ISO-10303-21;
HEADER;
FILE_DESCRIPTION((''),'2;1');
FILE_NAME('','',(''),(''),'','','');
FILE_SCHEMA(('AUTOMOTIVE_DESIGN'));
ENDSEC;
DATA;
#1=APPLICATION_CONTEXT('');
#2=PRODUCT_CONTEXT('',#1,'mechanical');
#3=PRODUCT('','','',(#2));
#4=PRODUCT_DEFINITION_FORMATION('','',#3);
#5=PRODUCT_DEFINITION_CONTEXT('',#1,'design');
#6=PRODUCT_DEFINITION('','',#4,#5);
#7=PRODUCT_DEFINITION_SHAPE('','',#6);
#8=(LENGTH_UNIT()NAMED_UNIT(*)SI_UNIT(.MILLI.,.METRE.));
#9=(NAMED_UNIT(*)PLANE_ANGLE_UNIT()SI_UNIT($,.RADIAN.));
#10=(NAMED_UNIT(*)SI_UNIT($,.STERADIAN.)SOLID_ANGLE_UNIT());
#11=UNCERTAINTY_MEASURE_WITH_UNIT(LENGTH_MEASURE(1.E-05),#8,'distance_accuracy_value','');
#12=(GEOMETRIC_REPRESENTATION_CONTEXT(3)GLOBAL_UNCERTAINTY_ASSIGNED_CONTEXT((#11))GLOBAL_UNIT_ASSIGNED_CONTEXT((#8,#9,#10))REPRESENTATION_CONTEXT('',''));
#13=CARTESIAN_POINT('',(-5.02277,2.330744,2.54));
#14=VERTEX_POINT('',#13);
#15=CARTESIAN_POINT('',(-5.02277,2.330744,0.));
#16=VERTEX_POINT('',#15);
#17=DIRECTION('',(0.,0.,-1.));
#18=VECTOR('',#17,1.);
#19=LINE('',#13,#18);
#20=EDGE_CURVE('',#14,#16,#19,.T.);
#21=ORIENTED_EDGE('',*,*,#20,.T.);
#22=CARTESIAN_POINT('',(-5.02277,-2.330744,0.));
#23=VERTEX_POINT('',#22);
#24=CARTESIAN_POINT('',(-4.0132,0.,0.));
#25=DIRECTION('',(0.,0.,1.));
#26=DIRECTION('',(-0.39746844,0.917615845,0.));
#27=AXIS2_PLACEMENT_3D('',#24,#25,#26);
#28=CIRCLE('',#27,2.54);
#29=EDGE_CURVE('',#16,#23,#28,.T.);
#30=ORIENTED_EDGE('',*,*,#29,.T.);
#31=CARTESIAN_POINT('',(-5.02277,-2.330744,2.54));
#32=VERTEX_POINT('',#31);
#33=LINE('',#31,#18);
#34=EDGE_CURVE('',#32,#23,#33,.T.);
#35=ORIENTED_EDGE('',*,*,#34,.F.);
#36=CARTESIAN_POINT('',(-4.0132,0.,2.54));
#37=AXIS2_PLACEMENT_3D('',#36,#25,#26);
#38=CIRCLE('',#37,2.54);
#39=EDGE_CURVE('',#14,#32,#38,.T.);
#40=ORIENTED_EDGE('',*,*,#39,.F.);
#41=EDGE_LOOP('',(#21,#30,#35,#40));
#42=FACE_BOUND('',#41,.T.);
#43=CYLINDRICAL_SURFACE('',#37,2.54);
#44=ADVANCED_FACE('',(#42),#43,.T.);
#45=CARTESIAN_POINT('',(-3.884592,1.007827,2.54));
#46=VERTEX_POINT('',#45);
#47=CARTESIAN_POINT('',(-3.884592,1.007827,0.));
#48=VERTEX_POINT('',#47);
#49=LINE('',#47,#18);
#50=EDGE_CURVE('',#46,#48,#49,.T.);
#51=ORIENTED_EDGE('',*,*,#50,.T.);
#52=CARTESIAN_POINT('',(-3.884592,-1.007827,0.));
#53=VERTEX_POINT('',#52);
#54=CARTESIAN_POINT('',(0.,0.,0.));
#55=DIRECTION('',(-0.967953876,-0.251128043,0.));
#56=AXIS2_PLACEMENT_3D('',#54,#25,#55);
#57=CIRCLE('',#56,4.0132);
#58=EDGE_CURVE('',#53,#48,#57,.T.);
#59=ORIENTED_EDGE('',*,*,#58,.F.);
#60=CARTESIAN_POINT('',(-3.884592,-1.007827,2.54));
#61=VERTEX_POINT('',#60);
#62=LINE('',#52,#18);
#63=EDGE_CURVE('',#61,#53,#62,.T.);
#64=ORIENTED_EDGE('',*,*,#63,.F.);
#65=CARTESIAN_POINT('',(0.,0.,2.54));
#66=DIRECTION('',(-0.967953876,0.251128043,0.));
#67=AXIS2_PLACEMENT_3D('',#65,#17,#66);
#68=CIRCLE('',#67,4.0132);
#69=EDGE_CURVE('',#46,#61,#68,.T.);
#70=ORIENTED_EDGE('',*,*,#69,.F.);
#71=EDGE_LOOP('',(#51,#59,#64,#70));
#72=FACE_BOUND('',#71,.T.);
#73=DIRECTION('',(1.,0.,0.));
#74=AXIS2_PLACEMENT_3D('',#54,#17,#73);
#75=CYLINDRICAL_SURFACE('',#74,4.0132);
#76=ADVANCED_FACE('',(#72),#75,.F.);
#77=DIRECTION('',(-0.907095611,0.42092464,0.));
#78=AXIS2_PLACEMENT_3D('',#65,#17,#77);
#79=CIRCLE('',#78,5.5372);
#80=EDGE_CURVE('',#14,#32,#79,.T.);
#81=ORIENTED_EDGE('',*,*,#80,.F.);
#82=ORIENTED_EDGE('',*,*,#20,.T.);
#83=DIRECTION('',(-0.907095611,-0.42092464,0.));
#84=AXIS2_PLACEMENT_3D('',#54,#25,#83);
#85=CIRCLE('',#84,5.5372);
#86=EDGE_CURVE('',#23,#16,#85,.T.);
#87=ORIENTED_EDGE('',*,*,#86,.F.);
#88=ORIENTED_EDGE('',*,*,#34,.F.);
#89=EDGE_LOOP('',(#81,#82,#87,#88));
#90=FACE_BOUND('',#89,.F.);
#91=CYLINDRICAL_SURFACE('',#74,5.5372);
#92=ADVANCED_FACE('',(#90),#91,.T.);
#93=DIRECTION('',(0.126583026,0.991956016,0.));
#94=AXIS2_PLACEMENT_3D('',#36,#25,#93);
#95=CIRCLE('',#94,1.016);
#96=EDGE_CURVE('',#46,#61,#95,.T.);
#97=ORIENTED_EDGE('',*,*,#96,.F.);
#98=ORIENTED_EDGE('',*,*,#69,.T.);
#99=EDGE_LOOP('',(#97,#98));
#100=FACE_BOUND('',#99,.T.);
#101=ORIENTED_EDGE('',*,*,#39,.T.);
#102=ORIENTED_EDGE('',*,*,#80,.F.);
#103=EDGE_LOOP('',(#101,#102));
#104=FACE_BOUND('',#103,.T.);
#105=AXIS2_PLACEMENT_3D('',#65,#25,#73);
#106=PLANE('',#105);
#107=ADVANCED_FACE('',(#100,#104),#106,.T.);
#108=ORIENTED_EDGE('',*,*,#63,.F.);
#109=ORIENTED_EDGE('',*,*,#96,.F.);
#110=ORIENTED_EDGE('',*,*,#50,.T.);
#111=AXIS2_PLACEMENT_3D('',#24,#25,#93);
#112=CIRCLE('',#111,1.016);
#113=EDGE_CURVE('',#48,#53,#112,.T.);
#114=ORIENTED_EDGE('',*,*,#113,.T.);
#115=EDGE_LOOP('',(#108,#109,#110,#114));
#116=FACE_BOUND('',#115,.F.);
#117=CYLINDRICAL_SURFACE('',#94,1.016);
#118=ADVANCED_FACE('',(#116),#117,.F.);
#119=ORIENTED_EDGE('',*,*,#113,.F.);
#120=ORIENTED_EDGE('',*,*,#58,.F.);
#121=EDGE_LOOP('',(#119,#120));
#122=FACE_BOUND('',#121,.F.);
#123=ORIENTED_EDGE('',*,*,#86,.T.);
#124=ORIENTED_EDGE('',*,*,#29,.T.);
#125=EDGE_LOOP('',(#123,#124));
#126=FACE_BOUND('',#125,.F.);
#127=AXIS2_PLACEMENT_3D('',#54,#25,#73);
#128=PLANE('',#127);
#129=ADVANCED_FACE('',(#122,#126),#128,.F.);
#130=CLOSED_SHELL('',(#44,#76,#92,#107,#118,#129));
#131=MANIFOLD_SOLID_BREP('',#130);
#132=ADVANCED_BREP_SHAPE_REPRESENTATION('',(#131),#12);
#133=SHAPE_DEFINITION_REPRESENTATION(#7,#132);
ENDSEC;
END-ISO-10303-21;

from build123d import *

# Parameters (mm, degrees)
F0_R     = 5.5372
F0_R_2   = 4.0132
F1_DEPTH = 2.54
F3_DEPTH = 2.541
F5_DEPTH = 2.54


with BuildPart() as f1:
    # F0 (on Top) → F1 (new body)
    with BuildSketch(Plane.XY):
        Circle(F0_R)
        Circle(F0_R_2, mode=Mode.SUBTRACT)
    extrude(amount=F1_DEPTH)

    # F2 (on face) → F3 (cut, through all)
    with BuildSketch(Plane.XY.offset(2.54)):
        with BuildLine():
            ThreePointArc((-3.884592, -1.007827), (-4.0132, 0), (-3.884592, 1.007827))
            ThreePointArc((-3.884592, 1.007827), (-5.0292, 0), (-3.884592, -1.007827))
        make_face()
    extrude(amount=-F3_DEPTH, mode=Mode.SUBTRACT)

    # F4 (on face) → F5 (join, through all)
    with BuildSketch(Plane.XY.offset(2.54)):
        with BuildLine():
            ThreePointArc((-5.02277, -2.330744), (-5.5372, 0), (-5.02277, 2.330744))
            ThreePointArc((-5.02277, 2.330744), (-6.5532, 0), (-5.02277, -2.330744))
        make_face()
    extrude(amount=-F5_DEPTH)


solid = f1.part
